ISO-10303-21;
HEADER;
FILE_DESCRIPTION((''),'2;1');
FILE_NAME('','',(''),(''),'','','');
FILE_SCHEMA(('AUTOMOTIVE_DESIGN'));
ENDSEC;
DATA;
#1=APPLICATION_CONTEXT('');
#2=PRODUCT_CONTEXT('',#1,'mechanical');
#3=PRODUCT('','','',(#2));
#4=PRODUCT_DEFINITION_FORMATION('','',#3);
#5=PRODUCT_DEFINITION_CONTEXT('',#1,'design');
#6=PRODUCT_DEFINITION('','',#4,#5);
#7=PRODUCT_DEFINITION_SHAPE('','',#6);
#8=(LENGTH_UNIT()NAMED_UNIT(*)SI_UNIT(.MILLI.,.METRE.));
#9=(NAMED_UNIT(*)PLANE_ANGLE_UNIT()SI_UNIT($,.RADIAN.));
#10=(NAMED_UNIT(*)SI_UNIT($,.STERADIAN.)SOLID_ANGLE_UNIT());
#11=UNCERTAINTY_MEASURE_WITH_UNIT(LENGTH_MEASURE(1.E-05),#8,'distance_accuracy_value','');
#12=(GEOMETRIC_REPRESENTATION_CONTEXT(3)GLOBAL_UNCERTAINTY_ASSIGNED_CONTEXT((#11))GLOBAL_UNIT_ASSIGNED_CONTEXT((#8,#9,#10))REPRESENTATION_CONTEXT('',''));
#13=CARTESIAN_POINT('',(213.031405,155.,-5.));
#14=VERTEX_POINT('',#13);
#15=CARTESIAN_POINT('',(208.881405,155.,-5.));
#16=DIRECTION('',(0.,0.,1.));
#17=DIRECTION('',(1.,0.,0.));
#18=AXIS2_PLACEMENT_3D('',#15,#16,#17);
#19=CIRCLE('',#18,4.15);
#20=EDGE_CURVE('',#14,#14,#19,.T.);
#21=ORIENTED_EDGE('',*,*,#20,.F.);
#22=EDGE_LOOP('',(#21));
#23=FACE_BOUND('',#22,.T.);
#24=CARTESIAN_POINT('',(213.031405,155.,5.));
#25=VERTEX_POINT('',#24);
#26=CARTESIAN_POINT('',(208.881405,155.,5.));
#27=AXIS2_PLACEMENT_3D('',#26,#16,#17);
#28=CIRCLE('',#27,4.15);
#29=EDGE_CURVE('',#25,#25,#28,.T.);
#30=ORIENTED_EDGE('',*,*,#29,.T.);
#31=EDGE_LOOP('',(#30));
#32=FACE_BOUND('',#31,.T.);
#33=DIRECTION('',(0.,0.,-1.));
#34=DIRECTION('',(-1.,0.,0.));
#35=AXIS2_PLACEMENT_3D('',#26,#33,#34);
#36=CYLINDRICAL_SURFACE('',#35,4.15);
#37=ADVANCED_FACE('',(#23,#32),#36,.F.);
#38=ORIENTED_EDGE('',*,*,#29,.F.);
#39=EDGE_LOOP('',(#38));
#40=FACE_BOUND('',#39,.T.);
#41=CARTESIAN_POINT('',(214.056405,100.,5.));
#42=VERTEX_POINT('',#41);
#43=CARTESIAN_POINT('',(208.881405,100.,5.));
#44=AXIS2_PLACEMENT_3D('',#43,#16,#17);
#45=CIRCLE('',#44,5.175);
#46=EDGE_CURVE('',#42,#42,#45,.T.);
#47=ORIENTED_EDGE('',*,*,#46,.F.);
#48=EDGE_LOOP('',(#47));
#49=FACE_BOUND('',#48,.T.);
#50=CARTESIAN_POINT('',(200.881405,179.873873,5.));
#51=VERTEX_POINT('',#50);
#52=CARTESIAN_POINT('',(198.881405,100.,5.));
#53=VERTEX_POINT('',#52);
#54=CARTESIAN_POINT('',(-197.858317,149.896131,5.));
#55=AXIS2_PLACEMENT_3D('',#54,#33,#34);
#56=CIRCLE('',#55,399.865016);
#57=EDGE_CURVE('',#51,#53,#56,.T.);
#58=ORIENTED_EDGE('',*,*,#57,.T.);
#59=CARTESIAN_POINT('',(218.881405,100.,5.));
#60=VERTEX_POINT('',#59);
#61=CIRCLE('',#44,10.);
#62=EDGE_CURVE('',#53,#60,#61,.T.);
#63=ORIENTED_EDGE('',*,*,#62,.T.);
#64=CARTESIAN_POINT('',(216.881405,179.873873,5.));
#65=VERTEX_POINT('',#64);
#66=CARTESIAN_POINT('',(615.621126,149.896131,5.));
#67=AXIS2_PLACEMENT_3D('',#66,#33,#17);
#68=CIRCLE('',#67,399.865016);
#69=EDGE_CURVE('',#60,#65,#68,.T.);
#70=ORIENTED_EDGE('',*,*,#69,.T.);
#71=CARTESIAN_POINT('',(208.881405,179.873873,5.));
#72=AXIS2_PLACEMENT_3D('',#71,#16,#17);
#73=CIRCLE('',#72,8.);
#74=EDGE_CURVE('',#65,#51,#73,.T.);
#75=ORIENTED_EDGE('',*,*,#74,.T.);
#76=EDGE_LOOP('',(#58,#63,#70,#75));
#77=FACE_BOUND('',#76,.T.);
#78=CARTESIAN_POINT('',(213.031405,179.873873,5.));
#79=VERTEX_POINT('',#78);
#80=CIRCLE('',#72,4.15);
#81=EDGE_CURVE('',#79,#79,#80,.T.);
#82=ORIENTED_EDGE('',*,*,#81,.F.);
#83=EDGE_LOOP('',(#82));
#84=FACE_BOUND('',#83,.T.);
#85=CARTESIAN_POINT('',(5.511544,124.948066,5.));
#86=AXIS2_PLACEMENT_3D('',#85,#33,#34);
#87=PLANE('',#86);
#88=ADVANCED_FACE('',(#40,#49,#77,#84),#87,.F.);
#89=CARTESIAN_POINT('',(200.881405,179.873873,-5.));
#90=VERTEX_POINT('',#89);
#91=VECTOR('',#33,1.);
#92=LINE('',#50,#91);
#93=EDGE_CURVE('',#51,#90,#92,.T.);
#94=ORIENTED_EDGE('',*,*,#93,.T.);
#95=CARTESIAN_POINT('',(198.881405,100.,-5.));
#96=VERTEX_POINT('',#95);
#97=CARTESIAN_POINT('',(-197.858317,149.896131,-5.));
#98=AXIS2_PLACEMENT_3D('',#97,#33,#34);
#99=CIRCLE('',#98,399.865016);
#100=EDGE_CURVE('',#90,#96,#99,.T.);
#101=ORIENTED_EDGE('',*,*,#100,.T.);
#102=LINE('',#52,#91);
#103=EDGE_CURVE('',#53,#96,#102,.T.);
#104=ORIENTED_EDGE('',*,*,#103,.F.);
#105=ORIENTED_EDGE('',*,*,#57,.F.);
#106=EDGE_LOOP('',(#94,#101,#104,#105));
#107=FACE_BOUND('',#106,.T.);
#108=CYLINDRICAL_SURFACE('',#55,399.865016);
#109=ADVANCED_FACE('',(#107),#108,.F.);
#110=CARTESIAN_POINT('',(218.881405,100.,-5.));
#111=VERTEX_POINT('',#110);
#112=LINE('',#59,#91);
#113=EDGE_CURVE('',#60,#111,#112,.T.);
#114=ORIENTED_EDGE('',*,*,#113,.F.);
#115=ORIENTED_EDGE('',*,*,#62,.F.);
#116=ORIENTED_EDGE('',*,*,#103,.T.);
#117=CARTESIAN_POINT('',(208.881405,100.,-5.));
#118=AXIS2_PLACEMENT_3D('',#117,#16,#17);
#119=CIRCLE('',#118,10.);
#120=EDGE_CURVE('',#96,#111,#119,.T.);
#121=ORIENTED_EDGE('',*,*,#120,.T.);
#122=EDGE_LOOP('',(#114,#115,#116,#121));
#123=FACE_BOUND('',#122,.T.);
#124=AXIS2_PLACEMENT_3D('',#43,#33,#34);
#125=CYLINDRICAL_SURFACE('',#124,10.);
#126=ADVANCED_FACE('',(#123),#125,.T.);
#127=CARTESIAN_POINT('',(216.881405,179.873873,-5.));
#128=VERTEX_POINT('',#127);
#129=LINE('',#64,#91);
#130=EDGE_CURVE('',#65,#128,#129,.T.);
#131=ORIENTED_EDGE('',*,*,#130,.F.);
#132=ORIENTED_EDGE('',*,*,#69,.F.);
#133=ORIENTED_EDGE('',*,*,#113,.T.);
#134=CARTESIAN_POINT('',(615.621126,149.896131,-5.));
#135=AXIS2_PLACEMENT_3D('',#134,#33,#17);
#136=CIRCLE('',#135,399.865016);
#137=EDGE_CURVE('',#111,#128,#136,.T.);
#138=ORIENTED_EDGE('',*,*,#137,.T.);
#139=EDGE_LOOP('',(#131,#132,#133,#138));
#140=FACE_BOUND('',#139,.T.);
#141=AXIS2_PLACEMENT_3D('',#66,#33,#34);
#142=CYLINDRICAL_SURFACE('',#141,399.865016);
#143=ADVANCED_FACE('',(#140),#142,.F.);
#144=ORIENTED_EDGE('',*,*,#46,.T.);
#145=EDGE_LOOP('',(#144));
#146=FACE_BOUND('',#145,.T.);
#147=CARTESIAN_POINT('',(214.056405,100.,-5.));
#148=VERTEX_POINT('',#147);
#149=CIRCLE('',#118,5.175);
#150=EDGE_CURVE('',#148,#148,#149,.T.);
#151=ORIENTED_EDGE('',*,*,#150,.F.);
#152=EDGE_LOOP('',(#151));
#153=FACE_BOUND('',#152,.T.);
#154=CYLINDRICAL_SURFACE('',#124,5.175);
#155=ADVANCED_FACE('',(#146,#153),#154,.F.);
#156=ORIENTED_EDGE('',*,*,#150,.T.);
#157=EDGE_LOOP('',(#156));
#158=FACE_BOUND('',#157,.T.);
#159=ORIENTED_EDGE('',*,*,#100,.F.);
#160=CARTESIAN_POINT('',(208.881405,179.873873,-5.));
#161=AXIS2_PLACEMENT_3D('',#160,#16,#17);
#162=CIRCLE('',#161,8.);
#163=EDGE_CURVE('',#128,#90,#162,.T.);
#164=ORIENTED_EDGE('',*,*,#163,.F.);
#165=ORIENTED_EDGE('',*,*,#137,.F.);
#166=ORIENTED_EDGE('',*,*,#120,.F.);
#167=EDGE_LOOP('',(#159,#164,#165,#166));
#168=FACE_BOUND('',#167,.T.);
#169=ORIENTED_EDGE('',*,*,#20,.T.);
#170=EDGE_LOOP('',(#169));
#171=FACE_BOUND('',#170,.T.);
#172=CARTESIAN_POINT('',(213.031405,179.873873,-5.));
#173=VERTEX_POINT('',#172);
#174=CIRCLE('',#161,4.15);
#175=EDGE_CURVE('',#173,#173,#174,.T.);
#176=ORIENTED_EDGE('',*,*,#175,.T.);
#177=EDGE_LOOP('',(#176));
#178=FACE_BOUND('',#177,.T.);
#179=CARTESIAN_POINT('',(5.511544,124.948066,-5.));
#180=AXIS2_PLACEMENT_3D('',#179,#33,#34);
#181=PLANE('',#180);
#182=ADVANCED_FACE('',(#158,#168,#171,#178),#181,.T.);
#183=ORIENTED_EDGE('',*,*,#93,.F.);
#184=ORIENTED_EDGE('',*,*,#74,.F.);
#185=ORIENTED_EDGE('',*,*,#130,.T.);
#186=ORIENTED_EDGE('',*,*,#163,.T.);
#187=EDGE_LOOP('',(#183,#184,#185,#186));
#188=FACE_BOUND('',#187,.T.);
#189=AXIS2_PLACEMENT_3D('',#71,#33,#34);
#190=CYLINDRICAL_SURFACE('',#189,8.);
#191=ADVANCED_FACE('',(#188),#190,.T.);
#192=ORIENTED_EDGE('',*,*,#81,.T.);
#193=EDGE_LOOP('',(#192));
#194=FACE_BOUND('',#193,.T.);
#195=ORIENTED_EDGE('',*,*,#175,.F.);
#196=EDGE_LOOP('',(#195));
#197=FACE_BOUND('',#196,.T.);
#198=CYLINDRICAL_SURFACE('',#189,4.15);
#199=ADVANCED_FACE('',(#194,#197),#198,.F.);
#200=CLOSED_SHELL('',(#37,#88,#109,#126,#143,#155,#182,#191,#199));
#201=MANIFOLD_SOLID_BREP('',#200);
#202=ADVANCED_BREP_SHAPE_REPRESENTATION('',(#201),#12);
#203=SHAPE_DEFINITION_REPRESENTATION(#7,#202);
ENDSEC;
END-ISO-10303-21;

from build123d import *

# Parameters (mm, degrees)
ESBO_O1_R                = 4.15
ESBO_O1_R_2              = 5.175
RESSALTO_EXTRUS_O1_DEPTH = 5


with BuildPart() as part:
    # Esboço1 → Ressalto-extrusão1 (new, symmetric)
    with BuildSketch(Plane.XY):
        with BuildLine():
            ThreePointArc((198.88140452, 100), (208.88140452, 90), (218.88140452, 100))
            ThreePointArc((218.88140452, 100), (215.88140452, 139.886857429), (216.88140452, 179.873872767))
            ThreePointArc((216.88140452, 179.873872767), (208.88140452, 187.873872767), (200.88140452, 179.873872767))
            ThreePointArc((200.88140452, 179.873872767), (201.88140452, 139.886857429), (198.88140452, 100))
        make_face()
        with Locations((208.88140452, 155)):
            Circle(ESBO_O1_R, mode=Mode.SUBTRACT)
        with Locations((208.88140452, 179.873872767)):
            Circle(ESBO_O1_R, mode=Mode.SUBTRACT)
        with Locations((208.88140452, 100)):
            Circle(ESBO_O1_R_2, mode=Mode.SUBTRACT)
    extrude(amount=RESSALTO_EXTRUS_O1_DEPTH, both=True)


solid = part.part
